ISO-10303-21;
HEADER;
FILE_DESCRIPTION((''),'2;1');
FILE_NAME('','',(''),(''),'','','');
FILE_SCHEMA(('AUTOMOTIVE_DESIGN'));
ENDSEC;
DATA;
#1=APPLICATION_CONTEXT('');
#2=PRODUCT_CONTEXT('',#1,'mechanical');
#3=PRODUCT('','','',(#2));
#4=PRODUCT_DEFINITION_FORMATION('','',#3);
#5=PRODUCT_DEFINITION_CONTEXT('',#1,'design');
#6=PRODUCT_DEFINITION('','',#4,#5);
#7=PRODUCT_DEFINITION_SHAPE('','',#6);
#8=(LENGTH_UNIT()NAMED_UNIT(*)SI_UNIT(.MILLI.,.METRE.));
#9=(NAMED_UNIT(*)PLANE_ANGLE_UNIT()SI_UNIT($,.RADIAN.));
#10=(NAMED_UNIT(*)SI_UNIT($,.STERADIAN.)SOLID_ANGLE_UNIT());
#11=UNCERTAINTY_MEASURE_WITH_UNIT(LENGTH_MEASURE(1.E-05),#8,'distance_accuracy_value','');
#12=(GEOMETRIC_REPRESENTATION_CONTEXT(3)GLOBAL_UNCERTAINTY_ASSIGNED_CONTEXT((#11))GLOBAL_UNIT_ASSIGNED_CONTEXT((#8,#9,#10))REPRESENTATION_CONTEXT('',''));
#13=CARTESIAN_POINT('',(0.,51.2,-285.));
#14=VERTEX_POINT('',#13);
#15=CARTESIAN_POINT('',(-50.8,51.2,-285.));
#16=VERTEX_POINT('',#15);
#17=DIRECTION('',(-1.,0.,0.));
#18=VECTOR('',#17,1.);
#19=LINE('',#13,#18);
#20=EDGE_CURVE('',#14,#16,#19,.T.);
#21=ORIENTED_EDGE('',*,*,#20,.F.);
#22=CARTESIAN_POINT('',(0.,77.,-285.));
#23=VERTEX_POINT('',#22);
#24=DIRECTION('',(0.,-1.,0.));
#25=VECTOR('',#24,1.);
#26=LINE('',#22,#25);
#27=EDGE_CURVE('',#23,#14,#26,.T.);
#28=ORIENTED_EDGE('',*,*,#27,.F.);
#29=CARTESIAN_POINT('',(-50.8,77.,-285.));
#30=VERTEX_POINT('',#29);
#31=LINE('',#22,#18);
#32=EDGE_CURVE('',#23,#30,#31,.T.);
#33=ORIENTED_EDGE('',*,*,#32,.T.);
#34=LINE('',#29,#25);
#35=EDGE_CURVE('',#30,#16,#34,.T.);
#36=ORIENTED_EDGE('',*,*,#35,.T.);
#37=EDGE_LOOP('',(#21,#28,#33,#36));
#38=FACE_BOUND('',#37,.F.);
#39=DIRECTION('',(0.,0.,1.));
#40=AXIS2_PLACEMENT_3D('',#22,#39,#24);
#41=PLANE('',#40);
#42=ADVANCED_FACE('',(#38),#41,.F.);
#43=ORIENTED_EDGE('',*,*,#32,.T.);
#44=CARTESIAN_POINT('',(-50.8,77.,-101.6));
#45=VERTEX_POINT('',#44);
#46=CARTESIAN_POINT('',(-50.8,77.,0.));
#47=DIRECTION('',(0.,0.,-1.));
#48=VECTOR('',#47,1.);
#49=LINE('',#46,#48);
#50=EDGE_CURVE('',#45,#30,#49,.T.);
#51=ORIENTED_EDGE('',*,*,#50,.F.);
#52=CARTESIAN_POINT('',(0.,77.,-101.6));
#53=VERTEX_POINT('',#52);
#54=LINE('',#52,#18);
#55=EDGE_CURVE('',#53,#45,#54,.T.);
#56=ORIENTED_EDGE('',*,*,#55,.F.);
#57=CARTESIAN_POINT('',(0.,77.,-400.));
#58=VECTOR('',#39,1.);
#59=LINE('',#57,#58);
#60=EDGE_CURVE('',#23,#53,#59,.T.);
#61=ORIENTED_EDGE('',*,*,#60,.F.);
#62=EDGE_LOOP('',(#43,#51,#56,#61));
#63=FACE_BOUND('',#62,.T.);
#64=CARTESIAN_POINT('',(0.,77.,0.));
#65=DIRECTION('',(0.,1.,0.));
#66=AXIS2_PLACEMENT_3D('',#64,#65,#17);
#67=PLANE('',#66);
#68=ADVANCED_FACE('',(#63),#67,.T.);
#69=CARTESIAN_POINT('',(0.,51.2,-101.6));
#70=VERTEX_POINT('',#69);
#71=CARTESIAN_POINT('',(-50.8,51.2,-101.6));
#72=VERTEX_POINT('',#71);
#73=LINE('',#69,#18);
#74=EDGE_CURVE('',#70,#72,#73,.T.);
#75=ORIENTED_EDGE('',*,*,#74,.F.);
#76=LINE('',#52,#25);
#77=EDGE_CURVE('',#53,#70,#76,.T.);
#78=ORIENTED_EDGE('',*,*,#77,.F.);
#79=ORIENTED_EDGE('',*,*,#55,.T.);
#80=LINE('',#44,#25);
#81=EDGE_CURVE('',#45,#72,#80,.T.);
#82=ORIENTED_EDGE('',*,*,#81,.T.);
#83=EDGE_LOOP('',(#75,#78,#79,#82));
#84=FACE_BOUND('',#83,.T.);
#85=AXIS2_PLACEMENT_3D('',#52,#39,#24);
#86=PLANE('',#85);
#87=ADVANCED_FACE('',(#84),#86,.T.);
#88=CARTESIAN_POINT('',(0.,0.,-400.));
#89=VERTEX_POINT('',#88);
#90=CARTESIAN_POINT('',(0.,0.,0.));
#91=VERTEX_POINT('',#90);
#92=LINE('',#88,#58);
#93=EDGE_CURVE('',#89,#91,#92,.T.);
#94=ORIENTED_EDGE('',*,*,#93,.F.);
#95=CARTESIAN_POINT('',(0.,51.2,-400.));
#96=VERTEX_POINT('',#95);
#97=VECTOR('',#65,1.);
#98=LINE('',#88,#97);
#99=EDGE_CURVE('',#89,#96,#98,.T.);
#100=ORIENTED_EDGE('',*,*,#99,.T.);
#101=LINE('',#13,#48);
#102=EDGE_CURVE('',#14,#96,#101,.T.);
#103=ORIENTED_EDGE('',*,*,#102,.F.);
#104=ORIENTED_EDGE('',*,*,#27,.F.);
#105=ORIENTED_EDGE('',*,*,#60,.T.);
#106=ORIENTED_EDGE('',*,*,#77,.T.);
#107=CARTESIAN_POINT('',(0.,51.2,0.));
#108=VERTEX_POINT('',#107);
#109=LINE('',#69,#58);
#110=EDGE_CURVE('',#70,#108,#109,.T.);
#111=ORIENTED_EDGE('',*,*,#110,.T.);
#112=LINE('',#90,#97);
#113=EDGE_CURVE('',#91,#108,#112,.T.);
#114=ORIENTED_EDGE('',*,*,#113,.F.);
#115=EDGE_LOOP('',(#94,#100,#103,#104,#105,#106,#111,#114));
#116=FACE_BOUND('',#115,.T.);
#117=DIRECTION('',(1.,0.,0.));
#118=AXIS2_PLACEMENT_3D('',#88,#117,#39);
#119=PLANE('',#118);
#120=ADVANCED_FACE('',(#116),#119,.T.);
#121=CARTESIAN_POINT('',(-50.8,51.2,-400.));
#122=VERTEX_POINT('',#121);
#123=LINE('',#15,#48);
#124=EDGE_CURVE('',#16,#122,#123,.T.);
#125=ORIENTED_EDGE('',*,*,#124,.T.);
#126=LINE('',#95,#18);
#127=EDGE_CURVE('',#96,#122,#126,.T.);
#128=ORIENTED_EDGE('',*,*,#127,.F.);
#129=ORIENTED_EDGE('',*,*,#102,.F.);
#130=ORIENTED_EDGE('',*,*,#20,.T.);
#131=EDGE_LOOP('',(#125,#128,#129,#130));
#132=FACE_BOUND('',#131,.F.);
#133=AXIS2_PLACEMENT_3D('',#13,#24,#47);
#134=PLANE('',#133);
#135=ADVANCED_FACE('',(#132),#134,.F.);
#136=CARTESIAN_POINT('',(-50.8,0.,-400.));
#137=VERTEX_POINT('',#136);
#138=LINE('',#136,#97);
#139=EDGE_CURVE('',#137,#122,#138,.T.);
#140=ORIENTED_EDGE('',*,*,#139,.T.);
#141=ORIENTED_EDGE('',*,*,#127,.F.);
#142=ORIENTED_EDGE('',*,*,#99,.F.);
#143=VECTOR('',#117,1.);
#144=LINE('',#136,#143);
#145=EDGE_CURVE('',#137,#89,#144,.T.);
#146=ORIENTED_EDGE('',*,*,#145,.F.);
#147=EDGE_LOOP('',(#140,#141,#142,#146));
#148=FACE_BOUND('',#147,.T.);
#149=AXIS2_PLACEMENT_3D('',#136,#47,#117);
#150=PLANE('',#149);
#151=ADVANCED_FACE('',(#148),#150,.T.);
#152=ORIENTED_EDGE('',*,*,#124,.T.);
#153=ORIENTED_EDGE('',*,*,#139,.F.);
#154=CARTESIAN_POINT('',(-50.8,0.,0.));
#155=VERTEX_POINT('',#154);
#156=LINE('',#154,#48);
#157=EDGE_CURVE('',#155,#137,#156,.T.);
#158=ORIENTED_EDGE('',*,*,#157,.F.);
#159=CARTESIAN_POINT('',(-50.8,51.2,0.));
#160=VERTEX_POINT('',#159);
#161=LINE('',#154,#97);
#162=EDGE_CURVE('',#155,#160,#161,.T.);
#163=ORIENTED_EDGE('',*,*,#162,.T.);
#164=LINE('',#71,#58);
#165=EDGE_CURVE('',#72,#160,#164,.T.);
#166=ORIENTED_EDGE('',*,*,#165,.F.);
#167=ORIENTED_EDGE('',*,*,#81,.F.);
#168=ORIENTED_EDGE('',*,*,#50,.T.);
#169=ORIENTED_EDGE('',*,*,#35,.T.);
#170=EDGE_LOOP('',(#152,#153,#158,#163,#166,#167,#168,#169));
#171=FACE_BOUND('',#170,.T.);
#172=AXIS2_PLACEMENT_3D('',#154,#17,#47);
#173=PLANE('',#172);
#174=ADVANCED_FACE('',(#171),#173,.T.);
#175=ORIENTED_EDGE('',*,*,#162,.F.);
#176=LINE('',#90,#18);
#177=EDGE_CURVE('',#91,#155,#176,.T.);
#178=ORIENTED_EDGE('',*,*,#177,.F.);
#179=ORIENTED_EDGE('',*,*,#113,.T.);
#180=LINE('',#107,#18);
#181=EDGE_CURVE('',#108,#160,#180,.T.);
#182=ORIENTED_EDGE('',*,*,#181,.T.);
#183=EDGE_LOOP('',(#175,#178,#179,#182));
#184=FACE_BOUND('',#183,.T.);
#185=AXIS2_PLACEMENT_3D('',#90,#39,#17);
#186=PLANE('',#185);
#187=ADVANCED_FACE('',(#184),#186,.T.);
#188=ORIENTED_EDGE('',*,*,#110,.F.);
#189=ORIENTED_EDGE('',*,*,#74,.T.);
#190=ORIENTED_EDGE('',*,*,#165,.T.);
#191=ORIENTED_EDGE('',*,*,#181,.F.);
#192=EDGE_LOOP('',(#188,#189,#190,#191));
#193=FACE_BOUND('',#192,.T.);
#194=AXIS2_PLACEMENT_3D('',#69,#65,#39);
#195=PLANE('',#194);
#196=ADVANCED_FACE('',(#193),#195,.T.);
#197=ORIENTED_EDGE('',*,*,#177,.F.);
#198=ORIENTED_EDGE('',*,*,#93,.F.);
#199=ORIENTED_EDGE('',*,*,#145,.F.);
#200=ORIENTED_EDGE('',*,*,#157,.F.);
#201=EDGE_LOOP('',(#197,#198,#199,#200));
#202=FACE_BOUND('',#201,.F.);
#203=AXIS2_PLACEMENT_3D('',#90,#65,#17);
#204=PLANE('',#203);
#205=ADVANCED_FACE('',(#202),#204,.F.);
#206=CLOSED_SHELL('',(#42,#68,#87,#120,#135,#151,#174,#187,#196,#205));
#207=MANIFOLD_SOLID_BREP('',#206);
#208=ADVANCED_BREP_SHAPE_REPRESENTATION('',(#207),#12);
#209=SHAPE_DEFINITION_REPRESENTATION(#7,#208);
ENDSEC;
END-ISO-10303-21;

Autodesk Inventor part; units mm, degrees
ref_plane "YZ Plane" through (0, 0, 0) normal (1, 0, 0) x (0, 1, 0)
ref_plane "XZ Plane" through (0, 0, 0) normal (0, 1, 0) x (-1, 0, 0)
ref_plane "XY Plane" through (0, 0, 0) normal (0, 0, 1) x (1, 0, 0)
sketch "Sketch1" plane through (0, 0, 0) normal (0, 1, 0) x (-1, 0, 0)
  line L0 (0, 0) -> (50.8, 0)
  line L1 (50.8, 0) -> (50.8, -400)
  line L2 (50.8, -400) -> (0, -400)
  line L3 (0, -400) -> (0, 0)
  dimension "d0" = 50.8
  dimension "d1" = 400
extrude "Extrusion1" add sketch "Sketch1" along normal blind 77
sketch "Sketch3" plane through (0, 0, 0) normal (1, 0, 0) x (0, 0, -1)
  line L0 (0, 77) -> (101.6, 77)
  line L1 (101.6, 77) -> (101.6, 51.2)
  line L2 (101.6, 51.2) -> (0, 51.2)
  line L3 (0, 51.2) -> (0, 77)
  line L4 (0, 77) -> (400, 77) projected
  line L5 (400, 77) -> (285, 77)
  line L6 (285, 77) -> (285, 51.2)
  line L7 (285, 51.2) -> (400, 51.2)
  line L8 (400, 51.2) -> (400, 77)
  point P0 (0, 0)
  dimension "d8" = 101.6
  dimension "d9" = 25.8
  dimension "d10" = 115
  dimension "d11" = 25.8
extrude "Extrusion2" cut sketch "Sketch3" against normal blind 50.8
properties part number "PiezaPuerta-1"
